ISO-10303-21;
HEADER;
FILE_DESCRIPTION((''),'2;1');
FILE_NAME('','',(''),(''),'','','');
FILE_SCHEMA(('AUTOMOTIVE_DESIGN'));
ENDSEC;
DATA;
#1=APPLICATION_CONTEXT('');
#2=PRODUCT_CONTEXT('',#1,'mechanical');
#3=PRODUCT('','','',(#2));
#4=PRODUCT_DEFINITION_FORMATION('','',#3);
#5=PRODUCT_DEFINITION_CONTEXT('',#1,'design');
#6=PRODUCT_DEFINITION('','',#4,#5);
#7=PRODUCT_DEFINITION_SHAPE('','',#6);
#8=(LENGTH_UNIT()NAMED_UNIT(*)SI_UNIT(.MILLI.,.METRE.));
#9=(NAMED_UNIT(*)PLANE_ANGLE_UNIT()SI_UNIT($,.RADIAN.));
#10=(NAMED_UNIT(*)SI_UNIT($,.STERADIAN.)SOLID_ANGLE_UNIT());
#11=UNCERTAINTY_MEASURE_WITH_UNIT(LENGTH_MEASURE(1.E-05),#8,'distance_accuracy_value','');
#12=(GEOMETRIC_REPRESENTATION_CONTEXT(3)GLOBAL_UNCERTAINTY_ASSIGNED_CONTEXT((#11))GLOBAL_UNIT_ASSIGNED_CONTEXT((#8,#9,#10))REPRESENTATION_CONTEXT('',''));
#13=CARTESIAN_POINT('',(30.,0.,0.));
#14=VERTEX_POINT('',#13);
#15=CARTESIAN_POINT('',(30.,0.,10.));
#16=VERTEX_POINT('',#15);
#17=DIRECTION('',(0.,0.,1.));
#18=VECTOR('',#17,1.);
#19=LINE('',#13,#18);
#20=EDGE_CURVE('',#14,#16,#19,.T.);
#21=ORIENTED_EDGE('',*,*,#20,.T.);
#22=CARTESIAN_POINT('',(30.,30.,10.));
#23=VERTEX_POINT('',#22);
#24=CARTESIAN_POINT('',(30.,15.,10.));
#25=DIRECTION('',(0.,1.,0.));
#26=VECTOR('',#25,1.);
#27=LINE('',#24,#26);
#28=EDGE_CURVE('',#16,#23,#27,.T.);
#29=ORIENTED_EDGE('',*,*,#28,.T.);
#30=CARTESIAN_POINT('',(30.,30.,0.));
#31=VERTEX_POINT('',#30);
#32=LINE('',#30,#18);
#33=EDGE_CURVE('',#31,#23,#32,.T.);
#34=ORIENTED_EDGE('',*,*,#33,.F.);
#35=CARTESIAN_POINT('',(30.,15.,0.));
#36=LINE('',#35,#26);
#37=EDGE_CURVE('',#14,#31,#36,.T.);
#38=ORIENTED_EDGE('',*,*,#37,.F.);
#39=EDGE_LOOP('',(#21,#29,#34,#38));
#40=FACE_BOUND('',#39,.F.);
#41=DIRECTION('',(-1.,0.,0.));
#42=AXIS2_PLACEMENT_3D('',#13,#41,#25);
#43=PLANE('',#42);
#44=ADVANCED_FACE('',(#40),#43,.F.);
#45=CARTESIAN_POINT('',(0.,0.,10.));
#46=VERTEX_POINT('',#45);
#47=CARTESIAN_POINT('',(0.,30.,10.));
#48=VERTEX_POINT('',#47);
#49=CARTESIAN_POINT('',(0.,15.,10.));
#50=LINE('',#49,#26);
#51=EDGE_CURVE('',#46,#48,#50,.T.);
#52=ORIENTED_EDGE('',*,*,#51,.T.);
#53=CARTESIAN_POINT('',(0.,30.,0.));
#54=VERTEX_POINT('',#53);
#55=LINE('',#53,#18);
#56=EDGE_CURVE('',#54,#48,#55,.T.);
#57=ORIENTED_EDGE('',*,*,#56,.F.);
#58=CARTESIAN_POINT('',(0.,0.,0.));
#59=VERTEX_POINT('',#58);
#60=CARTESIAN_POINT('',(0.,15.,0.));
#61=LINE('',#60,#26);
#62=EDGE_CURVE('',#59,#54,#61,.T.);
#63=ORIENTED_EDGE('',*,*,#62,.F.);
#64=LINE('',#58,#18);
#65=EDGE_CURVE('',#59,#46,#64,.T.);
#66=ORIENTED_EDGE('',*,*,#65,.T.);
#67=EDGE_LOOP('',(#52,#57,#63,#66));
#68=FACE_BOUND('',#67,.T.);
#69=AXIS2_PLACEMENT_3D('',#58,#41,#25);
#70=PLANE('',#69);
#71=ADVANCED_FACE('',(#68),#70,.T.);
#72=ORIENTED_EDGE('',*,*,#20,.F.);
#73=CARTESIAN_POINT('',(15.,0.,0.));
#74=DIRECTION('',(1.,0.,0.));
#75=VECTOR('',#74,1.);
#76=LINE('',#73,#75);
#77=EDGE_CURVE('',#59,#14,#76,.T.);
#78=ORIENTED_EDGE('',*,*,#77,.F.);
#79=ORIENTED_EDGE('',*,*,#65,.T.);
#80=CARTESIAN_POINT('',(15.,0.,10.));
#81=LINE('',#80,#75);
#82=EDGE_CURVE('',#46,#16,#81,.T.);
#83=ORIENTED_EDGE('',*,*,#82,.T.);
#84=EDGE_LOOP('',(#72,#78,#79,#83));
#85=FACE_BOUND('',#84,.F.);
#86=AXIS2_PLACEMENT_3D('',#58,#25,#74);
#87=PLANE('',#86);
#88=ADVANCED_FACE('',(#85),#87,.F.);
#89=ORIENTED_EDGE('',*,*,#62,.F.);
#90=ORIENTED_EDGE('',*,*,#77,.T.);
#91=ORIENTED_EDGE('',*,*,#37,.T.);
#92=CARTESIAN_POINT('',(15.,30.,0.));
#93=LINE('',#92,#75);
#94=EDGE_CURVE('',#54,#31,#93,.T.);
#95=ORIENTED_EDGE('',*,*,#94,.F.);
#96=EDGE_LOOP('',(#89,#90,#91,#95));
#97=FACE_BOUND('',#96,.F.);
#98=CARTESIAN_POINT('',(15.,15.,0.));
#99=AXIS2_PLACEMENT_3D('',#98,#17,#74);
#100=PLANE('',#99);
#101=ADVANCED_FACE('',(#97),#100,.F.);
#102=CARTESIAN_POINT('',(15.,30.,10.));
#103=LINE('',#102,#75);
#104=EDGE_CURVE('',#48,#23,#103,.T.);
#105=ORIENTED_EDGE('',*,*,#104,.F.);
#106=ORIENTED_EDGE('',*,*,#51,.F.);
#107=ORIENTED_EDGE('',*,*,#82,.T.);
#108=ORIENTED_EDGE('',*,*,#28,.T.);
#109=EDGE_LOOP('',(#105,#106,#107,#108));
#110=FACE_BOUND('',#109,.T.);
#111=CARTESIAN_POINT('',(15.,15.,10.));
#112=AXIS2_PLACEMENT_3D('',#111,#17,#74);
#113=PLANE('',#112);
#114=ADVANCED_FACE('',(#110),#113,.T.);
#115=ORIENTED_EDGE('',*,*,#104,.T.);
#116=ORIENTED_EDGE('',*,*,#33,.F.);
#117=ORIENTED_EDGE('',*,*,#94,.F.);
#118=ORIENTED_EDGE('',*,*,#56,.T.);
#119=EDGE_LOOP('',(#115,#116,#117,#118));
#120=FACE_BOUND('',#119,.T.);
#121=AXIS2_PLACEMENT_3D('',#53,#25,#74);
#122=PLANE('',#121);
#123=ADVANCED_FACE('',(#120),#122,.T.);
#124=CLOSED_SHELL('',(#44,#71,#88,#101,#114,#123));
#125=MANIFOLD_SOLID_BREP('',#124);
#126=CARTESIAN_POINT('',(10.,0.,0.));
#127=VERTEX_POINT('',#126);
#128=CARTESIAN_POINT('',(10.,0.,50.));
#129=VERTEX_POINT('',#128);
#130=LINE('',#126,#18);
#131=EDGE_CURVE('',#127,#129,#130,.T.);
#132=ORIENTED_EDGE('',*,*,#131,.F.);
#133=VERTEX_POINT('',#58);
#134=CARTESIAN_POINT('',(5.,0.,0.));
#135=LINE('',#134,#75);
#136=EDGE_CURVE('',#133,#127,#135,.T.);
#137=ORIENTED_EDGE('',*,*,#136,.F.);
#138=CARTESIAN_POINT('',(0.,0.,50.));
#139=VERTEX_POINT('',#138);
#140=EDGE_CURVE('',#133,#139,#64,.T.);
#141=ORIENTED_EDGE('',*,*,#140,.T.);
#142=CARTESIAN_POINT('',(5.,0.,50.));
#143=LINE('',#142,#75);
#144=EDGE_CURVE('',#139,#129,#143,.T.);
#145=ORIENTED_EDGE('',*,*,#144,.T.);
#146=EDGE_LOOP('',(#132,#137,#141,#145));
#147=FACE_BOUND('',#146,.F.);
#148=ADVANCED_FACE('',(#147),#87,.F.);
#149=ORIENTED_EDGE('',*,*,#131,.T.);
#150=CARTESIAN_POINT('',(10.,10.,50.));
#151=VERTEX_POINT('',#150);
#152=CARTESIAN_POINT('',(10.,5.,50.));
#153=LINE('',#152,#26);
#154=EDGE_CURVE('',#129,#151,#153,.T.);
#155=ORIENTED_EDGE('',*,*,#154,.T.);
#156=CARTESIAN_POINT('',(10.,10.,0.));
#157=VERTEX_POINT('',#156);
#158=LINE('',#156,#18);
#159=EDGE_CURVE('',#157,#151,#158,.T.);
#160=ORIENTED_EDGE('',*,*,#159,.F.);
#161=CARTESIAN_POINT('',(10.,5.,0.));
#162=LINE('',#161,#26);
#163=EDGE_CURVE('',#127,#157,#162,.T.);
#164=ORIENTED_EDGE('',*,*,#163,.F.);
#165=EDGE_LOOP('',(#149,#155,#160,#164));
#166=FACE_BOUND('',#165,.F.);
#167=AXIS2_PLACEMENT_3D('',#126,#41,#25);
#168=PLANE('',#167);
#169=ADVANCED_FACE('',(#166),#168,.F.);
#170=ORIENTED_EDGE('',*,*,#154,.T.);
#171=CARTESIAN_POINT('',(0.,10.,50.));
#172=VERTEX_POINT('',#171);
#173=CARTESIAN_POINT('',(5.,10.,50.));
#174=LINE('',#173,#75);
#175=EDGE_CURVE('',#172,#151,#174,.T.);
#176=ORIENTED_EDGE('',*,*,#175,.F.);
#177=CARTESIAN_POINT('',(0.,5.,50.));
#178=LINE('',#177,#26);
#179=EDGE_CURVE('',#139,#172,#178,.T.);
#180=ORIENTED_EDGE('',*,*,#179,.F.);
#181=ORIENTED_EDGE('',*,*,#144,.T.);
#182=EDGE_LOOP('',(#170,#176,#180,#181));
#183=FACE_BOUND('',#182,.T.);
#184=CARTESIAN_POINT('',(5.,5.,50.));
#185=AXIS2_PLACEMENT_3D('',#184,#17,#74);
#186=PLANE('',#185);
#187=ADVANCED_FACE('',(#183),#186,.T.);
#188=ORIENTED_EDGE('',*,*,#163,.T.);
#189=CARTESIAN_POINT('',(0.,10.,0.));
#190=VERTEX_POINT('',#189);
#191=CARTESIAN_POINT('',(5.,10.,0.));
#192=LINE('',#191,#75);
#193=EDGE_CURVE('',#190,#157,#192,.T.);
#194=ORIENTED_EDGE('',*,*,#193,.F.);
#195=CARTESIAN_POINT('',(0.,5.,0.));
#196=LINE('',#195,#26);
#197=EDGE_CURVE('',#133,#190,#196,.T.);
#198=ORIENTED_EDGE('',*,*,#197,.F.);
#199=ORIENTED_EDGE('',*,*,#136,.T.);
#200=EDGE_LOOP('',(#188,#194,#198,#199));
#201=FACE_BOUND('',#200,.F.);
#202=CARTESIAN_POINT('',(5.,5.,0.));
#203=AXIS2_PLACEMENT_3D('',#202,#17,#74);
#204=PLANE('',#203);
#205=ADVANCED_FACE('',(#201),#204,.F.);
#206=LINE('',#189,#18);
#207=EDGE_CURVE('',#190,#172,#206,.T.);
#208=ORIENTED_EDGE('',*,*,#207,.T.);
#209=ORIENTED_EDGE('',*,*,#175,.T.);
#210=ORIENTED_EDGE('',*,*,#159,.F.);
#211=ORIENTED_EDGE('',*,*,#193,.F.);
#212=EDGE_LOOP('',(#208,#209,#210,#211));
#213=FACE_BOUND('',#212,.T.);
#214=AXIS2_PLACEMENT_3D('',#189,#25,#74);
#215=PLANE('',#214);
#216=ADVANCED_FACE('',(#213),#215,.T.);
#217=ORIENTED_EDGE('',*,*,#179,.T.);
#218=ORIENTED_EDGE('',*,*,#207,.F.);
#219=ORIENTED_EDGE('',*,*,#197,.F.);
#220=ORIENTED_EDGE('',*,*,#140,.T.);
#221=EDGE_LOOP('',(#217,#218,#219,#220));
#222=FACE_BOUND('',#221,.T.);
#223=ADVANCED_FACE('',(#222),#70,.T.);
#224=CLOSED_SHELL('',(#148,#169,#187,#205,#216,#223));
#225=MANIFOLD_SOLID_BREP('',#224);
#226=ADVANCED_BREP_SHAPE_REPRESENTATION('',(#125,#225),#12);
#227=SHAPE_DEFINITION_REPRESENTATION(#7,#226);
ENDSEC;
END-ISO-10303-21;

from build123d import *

# Parameters (mm, degrees)
BOX001_W     = 10
BOX001_H     = 10
BOX001_DEPTH = 50
BOX_W        = 30
BOX_H        = 30
BOX_DEPTH    = 10


with BuildPart() as cub:
    # Box001 → Box001 (new body)
    with BuildSketch(Plane.XY):
        with Locations((5, 5)):
            Rectangle(BOX001_W, BOX001_H)
    extrude(amount=BOX001_DEPTH)


with BuildPart() as cub001:
    # Box → Box (new body)
    with BuildSketch(Plane.XY):
        with Locations((15, 15)):
            Rectangle(BOX_W, BOX_H)
    extrude(amount=BOX_DEPTH)


solid = Compound([cub.part, cub001.part])
